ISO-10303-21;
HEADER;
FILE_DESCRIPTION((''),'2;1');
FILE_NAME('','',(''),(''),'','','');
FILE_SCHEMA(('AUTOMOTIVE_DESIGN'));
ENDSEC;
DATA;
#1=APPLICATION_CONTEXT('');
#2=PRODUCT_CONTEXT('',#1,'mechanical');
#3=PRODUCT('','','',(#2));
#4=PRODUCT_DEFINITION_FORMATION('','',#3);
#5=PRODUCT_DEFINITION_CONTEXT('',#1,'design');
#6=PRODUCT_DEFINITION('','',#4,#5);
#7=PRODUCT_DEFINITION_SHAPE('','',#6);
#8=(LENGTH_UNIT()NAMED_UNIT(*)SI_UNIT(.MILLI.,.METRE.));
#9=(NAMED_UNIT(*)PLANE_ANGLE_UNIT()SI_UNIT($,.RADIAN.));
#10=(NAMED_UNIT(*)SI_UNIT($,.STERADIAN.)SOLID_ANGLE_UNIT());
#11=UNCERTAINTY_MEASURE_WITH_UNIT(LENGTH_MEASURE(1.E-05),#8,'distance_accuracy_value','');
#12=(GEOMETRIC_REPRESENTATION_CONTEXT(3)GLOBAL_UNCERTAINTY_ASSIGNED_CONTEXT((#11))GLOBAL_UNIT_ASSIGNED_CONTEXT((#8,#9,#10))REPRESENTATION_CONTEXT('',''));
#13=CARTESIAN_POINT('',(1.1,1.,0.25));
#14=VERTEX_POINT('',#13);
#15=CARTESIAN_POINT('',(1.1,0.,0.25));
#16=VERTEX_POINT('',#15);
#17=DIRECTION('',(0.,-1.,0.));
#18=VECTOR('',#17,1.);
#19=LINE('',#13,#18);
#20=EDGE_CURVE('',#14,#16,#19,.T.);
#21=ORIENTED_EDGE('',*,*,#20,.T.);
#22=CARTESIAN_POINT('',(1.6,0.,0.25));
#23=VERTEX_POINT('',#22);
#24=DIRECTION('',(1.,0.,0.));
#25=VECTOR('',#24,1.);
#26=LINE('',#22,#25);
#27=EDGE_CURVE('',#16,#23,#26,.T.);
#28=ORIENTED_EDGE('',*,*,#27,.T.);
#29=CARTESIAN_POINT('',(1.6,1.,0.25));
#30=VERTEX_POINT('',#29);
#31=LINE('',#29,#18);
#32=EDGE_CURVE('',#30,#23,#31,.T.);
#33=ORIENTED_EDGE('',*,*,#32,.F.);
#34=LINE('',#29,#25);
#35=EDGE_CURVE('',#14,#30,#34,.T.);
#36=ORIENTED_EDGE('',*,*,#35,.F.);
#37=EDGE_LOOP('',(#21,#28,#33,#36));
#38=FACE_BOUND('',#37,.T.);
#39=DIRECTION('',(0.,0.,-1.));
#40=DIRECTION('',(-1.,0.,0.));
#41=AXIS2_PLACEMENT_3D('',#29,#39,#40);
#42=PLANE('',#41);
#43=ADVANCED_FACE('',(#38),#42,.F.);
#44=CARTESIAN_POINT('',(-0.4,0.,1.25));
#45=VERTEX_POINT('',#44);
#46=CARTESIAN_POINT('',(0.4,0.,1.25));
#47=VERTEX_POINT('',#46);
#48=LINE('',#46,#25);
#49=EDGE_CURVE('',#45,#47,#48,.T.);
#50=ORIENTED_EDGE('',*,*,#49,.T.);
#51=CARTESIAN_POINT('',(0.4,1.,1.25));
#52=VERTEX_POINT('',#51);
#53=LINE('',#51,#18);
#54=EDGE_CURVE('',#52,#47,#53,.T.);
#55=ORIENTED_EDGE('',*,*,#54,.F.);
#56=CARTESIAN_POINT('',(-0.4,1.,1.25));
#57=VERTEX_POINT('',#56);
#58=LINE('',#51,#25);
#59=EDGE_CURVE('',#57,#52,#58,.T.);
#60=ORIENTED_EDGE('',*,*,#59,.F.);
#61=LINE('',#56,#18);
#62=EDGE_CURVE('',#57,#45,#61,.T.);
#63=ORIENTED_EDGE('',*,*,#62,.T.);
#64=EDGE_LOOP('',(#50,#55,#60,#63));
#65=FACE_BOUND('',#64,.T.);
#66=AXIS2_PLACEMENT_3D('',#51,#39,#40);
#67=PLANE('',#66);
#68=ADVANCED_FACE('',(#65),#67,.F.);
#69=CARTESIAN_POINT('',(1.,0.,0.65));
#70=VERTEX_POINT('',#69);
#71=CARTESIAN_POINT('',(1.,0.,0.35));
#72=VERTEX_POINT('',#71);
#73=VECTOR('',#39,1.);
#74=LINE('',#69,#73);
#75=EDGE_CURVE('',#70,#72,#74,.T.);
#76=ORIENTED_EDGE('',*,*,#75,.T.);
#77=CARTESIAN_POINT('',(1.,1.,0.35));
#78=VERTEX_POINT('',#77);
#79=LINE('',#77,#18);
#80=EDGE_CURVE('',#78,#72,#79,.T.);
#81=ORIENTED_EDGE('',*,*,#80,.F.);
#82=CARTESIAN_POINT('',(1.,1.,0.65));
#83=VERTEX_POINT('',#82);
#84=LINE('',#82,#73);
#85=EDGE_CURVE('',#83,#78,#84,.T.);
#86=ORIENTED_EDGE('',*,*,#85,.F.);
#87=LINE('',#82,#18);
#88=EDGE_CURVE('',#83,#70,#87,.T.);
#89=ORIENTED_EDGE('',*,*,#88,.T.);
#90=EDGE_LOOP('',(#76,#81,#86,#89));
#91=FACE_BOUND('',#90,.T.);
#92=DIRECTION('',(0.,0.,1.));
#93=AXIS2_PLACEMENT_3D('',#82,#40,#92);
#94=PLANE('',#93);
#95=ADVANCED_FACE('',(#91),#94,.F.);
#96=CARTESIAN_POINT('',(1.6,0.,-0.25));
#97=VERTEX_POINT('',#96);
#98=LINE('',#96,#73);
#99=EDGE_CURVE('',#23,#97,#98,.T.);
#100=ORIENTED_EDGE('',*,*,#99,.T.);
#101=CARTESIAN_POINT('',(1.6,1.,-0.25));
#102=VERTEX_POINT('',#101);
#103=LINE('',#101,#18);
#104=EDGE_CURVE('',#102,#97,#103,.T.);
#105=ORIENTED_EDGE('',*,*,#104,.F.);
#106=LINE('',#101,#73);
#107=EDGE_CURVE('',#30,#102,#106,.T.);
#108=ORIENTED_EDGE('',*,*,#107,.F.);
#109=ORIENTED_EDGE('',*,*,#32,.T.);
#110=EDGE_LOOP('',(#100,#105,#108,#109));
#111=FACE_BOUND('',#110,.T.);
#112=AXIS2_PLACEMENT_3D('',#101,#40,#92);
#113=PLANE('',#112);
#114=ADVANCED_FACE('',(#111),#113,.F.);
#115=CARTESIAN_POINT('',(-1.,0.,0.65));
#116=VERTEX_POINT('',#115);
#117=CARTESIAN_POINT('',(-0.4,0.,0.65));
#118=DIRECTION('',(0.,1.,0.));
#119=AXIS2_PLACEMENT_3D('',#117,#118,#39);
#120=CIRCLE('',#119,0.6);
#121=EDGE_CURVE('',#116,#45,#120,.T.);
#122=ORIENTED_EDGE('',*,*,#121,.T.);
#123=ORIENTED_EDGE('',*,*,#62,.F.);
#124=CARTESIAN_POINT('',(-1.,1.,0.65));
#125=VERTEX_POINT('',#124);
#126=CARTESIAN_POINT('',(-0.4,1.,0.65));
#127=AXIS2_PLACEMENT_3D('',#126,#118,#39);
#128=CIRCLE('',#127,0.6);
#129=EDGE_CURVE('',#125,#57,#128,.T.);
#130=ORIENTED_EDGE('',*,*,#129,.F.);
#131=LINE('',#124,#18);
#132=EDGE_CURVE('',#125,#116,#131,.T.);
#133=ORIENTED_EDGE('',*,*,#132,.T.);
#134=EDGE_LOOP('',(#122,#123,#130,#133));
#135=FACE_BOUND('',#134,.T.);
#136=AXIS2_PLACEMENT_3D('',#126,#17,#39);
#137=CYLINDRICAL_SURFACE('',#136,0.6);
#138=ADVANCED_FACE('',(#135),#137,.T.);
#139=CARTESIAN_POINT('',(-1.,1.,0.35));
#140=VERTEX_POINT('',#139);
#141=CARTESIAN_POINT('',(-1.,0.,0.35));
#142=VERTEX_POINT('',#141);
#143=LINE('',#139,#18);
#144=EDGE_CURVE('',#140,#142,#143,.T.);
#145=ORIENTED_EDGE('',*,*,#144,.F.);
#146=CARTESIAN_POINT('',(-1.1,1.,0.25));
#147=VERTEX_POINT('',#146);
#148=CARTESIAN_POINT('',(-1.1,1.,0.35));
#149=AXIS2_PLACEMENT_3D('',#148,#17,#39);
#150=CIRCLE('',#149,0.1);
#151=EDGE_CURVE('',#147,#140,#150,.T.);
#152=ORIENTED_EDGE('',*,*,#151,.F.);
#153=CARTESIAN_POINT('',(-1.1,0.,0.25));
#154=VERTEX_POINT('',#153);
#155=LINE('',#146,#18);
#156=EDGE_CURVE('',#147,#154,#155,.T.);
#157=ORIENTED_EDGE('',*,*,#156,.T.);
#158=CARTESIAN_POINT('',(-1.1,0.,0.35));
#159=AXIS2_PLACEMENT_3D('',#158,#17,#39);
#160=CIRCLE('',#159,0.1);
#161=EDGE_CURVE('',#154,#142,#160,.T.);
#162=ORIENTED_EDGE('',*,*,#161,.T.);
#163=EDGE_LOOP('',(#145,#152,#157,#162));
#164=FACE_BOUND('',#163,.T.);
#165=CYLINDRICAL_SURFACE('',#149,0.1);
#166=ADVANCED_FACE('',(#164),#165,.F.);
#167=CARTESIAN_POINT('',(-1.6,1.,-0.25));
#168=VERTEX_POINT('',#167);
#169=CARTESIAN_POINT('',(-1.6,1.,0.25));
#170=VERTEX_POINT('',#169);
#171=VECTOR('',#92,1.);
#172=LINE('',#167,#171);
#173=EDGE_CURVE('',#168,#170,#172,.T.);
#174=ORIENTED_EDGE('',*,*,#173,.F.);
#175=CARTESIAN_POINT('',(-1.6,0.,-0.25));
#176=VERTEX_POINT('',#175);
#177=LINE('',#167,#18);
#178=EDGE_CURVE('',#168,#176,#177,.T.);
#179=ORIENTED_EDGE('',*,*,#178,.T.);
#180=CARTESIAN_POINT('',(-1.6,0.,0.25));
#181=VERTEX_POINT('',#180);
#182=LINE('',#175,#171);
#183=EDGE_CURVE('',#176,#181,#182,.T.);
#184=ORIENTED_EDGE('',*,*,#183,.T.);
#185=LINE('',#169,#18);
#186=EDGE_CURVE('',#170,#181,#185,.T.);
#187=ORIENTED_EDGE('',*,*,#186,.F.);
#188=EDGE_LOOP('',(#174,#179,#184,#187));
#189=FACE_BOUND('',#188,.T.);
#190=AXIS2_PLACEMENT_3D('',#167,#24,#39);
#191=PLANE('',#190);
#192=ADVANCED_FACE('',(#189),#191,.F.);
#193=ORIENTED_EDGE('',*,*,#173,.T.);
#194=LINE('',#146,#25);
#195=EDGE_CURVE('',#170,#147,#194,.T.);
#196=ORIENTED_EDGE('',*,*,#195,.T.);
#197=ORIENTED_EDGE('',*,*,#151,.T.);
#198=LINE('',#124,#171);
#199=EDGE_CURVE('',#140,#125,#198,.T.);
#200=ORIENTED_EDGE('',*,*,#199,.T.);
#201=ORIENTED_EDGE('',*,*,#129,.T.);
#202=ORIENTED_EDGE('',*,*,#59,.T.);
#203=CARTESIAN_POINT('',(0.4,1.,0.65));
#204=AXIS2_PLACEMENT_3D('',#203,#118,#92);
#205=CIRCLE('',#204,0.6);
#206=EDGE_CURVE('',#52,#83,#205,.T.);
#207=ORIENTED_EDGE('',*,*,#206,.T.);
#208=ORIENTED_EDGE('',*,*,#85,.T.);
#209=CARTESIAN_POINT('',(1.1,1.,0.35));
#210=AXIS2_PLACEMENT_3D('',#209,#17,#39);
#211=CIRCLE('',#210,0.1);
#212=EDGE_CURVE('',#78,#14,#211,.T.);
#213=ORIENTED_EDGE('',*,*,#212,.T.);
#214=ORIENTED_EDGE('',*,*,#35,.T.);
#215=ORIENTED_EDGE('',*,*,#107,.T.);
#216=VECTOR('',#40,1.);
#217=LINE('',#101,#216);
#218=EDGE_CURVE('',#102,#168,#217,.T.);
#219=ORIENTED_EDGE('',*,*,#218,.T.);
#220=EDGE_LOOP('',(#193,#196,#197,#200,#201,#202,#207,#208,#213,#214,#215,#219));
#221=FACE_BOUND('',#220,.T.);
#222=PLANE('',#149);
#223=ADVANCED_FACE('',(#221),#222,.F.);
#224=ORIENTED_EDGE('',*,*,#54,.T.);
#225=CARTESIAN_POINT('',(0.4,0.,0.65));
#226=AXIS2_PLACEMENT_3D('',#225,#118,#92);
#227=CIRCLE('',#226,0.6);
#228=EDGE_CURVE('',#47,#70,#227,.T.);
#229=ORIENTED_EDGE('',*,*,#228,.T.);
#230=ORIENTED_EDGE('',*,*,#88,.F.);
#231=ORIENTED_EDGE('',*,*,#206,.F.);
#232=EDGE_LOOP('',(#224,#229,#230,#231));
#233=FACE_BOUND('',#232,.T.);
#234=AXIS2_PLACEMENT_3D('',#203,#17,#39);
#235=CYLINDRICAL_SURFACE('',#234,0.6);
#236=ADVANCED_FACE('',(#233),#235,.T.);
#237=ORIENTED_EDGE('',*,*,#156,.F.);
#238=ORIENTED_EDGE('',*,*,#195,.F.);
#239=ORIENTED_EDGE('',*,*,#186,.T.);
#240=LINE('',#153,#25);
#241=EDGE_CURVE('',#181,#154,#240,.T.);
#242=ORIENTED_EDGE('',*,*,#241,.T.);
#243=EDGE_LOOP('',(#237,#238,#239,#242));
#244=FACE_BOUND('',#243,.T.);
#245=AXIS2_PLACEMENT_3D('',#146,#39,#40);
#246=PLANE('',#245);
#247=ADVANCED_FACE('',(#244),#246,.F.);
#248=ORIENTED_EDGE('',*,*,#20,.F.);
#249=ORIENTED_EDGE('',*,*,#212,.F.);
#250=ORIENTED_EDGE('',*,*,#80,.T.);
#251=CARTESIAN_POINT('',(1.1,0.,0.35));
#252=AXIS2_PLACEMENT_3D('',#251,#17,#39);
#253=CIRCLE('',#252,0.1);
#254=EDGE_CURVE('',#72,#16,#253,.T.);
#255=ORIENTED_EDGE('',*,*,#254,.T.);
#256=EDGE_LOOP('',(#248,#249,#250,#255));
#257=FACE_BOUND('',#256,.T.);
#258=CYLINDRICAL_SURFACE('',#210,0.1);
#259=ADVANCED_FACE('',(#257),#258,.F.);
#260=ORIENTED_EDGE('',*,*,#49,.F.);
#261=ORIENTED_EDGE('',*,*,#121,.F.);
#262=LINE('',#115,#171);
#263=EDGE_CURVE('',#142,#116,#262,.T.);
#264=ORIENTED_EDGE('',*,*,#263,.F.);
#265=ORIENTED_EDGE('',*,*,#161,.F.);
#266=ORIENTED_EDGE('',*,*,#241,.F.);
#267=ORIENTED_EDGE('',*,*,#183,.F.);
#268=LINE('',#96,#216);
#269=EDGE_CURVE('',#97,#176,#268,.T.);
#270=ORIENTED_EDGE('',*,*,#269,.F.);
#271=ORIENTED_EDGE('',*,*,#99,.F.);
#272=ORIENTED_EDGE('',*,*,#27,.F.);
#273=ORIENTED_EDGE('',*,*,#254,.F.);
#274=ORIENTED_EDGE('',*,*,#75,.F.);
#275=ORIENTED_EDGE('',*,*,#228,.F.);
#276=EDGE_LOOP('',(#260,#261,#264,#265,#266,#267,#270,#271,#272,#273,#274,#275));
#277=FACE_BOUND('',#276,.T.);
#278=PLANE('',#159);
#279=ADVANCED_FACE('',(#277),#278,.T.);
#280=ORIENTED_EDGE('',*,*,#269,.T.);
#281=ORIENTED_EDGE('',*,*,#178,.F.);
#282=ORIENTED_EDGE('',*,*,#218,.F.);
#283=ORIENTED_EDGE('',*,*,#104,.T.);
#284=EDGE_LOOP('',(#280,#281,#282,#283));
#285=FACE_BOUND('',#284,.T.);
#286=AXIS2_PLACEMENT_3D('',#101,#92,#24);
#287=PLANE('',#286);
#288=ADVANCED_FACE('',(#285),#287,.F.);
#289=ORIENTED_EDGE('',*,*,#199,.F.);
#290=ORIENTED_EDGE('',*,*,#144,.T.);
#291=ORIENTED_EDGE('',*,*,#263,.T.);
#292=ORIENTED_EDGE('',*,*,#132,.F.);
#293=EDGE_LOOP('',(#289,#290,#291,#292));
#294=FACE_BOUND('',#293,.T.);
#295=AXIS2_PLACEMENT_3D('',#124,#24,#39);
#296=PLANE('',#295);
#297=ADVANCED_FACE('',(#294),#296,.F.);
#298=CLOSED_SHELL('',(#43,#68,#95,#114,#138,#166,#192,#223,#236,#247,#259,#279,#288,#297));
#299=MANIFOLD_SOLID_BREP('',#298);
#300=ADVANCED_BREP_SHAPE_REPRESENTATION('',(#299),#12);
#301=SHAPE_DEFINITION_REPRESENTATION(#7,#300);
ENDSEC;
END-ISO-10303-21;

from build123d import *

# Parameters (mm, degrees)
BOSS_EXTRUDE1_DEPTH = 1


with BuildPart() as part:
    # Sketch1 → Boss-Extrude1 (new body)
    with BuildSketch(Plane(origin=(0, 0, 0), x_dir=(1, 0, 0), z_dir=(0, 1, 0))):
        with BuildLine():
            Line((-1.1, -0.25), (-1.6, -0.25))
            Line((-1.6, -0.25), (-1.6, 0.25))
            Line((-1.6, 0.25), (1.6, 0.25))
            Line((1.6, 0.25), (1.6, -0.25))
            Line((1.6, -0.25), (1.1, -0.25))
            ThreePointArc((1.1, -0.25), (1.029289322, -0.279289322), (1, -0.35))
            Line((1, -0.35), (1, -0.65))
            ThreePointArc((1, -0.65), (0.824264069, -1.074264069), (0.4, -1.25))
            Line((0.4, -1.25), (-0.4, -1.25))
            ThreePointArc((-0.4, -1.25), (-0.824264069, -1.074264069), (-1, -0.65))
            Line((-1, -0.65), (-1, -0.35))
            ThreePointArc((-1, -0.35), (-1.029289322, -0.279289322), (-1.1, -0.25))
        make_face()
    extrude(amount=BOSS_EXTRUDE1_DEPTH)


solid = part.part
